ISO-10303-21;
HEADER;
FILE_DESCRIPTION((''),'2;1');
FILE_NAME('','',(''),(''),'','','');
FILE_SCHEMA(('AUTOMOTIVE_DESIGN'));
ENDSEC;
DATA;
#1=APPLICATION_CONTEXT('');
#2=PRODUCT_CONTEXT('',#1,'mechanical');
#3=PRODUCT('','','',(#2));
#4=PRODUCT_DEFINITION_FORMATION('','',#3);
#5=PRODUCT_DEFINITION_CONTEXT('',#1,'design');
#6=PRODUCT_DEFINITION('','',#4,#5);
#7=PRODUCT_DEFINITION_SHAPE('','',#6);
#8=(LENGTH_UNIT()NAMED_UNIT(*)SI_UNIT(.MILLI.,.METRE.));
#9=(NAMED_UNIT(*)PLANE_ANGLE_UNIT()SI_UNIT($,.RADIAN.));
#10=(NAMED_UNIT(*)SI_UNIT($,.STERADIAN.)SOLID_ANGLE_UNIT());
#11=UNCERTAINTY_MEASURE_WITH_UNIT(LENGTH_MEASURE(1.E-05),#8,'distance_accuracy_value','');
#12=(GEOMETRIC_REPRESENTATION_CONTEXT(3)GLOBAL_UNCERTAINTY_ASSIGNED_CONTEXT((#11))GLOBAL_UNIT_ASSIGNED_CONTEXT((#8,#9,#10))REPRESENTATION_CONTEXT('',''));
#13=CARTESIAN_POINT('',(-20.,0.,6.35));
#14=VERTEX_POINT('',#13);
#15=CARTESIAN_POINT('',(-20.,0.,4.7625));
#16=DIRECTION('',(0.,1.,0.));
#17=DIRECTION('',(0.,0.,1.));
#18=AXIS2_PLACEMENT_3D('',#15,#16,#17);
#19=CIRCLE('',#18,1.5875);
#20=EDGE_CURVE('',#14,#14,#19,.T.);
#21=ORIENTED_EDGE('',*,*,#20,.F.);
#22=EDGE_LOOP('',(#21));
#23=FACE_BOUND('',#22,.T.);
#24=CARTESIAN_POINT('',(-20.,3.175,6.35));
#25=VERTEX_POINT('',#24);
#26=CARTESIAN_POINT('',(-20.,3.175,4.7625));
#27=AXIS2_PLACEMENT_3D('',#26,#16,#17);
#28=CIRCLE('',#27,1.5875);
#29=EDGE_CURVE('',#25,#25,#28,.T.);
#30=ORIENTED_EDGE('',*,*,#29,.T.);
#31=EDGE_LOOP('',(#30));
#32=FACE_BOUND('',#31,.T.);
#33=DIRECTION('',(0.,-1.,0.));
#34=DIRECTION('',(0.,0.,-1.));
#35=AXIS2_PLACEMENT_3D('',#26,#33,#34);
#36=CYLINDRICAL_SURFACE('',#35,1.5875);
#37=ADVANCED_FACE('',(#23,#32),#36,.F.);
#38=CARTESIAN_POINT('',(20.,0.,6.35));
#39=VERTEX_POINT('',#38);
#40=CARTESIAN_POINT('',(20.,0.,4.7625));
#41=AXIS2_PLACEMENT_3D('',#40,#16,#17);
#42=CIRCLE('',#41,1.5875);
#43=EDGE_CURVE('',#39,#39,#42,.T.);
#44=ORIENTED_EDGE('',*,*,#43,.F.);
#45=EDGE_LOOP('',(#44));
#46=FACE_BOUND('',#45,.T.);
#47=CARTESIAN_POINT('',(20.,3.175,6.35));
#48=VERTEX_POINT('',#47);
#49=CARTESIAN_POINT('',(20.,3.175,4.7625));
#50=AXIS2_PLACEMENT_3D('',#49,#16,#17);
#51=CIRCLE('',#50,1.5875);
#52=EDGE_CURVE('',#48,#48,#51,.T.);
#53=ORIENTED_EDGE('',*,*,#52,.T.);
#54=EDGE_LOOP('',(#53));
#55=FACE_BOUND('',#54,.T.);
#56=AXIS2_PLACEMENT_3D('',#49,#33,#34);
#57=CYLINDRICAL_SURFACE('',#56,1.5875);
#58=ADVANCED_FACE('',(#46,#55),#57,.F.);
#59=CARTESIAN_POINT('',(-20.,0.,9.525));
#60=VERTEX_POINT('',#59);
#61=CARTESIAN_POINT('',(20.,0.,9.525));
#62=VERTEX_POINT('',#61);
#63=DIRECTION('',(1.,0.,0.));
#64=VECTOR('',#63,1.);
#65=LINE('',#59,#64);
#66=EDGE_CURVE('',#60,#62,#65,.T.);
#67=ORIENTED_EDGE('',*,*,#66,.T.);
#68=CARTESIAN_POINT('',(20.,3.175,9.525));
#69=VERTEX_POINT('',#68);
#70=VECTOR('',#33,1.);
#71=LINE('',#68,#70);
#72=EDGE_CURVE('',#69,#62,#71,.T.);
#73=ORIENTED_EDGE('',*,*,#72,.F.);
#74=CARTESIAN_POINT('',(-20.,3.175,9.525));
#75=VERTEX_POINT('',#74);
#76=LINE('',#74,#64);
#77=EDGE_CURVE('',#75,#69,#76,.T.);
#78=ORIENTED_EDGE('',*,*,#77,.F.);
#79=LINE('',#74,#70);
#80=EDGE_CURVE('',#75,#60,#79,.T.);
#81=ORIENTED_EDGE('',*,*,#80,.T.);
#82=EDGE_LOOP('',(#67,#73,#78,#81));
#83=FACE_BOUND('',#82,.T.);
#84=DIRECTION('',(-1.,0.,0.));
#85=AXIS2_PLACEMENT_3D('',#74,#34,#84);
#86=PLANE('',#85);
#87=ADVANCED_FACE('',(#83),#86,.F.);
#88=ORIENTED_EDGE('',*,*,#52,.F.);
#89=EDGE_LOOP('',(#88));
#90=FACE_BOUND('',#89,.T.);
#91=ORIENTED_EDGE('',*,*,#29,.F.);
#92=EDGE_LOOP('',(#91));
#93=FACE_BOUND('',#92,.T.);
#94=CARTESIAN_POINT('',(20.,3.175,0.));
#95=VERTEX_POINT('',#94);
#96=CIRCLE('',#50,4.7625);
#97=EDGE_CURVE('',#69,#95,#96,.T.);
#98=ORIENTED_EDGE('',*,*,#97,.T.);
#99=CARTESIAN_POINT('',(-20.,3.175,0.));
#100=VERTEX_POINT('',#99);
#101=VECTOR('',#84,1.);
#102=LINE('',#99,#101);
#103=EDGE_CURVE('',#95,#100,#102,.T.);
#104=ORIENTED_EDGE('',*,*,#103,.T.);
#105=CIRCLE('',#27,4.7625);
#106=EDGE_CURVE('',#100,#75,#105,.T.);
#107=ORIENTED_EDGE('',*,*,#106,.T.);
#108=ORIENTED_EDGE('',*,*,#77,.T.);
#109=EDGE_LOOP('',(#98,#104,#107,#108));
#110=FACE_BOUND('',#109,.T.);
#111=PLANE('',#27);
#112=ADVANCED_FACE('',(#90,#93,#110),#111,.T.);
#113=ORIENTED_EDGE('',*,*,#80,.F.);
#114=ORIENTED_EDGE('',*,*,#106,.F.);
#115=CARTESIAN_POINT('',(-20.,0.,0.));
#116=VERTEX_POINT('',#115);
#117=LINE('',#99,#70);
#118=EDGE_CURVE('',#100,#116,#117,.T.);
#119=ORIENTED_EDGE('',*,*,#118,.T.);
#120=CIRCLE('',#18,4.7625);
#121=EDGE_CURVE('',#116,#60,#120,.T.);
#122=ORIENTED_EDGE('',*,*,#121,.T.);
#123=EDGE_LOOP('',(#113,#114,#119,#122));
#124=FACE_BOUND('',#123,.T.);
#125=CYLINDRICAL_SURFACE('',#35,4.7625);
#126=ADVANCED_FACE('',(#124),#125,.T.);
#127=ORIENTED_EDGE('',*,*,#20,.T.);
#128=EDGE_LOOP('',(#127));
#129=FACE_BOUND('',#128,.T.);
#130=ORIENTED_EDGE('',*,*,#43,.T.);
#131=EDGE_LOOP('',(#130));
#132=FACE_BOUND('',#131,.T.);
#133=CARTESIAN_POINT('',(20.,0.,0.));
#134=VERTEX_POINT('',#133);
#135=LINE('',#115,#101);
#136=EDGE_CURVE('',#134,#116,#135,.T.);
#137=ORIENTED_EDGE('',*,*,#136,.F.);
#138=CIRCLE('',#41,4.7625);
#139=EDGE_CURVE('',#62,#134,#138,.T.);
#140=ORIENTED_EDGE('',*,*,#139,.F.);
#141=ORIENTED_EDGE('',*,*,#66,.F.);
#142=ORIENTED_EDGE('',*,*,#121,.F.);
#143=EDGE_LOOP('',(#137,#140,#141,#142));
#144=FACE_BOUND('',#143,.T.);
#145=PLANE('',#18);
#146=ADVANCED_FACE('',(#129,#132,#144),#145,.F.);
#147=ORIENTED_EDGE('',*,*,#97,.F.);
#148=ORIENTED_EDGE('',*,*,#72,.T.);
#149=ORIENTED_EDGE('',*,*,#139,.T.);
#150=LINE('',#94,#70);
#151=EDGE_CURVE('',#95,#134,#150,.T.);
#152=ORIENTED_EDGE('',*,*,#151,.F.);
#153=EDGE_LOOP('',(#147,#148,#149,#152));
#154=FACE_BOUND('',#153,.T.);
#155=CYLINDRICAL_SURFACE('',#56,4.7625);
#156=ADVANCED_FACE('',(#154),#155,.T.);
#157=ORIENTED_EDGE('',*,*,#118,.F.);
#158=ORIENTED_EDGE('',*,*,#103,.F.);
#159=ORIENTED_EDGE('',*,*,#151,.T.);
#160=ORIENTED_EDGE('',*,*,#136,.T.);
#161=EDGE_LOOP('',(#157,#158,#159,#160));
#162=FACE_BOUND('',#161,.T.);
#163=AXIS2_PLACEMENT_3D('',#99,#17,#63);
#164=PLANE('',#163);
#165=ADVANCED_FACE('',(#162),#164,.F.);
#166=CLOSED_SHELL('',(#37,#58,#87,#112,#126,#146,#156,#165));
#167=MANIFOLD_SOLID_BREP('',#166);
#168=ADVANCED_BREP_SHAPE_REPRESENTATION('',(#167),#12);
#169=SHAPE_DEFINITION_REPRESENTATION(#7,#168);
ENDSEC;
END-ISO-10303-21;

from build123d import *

# Parameters (mm, degrees)
CROQUIS1_R              = 1.5875
SALIENTE_EXTRUIR1_DEPTH = 3.175


with BuildPart() as part:
    # Croquis1 → Saliente-Extruir1 (new body)
    with BuildSketch(Plane(origin=(0, 0, 0), x_dir=(1, 0, 0), z_dir=(0, 1, 0))):
        with BuildLine():
            Line((-20, 0), (20, 0))
            ThreePointArc((20, 0), (24.7625, -4.7625), (20, -9.525))
            Line((20, -9.525), (-20, -9.525))
            ThreePointArc((-20, -9.525), (-24.7625, -4.7625), (-20, 0))
        make_face()
        with Locations((-20, -4.7625)):
            Circle(CROQUIS1_R, mode=Mode.SUBTRACT)
        with Locations((20, -4.7625)):
            Circle(CROQUIS1_R, mode=Mode.SUBTRACT)
    extrude(amount=SALIENTE_EXTRUIR1_DEPTH)


solid = part.part
